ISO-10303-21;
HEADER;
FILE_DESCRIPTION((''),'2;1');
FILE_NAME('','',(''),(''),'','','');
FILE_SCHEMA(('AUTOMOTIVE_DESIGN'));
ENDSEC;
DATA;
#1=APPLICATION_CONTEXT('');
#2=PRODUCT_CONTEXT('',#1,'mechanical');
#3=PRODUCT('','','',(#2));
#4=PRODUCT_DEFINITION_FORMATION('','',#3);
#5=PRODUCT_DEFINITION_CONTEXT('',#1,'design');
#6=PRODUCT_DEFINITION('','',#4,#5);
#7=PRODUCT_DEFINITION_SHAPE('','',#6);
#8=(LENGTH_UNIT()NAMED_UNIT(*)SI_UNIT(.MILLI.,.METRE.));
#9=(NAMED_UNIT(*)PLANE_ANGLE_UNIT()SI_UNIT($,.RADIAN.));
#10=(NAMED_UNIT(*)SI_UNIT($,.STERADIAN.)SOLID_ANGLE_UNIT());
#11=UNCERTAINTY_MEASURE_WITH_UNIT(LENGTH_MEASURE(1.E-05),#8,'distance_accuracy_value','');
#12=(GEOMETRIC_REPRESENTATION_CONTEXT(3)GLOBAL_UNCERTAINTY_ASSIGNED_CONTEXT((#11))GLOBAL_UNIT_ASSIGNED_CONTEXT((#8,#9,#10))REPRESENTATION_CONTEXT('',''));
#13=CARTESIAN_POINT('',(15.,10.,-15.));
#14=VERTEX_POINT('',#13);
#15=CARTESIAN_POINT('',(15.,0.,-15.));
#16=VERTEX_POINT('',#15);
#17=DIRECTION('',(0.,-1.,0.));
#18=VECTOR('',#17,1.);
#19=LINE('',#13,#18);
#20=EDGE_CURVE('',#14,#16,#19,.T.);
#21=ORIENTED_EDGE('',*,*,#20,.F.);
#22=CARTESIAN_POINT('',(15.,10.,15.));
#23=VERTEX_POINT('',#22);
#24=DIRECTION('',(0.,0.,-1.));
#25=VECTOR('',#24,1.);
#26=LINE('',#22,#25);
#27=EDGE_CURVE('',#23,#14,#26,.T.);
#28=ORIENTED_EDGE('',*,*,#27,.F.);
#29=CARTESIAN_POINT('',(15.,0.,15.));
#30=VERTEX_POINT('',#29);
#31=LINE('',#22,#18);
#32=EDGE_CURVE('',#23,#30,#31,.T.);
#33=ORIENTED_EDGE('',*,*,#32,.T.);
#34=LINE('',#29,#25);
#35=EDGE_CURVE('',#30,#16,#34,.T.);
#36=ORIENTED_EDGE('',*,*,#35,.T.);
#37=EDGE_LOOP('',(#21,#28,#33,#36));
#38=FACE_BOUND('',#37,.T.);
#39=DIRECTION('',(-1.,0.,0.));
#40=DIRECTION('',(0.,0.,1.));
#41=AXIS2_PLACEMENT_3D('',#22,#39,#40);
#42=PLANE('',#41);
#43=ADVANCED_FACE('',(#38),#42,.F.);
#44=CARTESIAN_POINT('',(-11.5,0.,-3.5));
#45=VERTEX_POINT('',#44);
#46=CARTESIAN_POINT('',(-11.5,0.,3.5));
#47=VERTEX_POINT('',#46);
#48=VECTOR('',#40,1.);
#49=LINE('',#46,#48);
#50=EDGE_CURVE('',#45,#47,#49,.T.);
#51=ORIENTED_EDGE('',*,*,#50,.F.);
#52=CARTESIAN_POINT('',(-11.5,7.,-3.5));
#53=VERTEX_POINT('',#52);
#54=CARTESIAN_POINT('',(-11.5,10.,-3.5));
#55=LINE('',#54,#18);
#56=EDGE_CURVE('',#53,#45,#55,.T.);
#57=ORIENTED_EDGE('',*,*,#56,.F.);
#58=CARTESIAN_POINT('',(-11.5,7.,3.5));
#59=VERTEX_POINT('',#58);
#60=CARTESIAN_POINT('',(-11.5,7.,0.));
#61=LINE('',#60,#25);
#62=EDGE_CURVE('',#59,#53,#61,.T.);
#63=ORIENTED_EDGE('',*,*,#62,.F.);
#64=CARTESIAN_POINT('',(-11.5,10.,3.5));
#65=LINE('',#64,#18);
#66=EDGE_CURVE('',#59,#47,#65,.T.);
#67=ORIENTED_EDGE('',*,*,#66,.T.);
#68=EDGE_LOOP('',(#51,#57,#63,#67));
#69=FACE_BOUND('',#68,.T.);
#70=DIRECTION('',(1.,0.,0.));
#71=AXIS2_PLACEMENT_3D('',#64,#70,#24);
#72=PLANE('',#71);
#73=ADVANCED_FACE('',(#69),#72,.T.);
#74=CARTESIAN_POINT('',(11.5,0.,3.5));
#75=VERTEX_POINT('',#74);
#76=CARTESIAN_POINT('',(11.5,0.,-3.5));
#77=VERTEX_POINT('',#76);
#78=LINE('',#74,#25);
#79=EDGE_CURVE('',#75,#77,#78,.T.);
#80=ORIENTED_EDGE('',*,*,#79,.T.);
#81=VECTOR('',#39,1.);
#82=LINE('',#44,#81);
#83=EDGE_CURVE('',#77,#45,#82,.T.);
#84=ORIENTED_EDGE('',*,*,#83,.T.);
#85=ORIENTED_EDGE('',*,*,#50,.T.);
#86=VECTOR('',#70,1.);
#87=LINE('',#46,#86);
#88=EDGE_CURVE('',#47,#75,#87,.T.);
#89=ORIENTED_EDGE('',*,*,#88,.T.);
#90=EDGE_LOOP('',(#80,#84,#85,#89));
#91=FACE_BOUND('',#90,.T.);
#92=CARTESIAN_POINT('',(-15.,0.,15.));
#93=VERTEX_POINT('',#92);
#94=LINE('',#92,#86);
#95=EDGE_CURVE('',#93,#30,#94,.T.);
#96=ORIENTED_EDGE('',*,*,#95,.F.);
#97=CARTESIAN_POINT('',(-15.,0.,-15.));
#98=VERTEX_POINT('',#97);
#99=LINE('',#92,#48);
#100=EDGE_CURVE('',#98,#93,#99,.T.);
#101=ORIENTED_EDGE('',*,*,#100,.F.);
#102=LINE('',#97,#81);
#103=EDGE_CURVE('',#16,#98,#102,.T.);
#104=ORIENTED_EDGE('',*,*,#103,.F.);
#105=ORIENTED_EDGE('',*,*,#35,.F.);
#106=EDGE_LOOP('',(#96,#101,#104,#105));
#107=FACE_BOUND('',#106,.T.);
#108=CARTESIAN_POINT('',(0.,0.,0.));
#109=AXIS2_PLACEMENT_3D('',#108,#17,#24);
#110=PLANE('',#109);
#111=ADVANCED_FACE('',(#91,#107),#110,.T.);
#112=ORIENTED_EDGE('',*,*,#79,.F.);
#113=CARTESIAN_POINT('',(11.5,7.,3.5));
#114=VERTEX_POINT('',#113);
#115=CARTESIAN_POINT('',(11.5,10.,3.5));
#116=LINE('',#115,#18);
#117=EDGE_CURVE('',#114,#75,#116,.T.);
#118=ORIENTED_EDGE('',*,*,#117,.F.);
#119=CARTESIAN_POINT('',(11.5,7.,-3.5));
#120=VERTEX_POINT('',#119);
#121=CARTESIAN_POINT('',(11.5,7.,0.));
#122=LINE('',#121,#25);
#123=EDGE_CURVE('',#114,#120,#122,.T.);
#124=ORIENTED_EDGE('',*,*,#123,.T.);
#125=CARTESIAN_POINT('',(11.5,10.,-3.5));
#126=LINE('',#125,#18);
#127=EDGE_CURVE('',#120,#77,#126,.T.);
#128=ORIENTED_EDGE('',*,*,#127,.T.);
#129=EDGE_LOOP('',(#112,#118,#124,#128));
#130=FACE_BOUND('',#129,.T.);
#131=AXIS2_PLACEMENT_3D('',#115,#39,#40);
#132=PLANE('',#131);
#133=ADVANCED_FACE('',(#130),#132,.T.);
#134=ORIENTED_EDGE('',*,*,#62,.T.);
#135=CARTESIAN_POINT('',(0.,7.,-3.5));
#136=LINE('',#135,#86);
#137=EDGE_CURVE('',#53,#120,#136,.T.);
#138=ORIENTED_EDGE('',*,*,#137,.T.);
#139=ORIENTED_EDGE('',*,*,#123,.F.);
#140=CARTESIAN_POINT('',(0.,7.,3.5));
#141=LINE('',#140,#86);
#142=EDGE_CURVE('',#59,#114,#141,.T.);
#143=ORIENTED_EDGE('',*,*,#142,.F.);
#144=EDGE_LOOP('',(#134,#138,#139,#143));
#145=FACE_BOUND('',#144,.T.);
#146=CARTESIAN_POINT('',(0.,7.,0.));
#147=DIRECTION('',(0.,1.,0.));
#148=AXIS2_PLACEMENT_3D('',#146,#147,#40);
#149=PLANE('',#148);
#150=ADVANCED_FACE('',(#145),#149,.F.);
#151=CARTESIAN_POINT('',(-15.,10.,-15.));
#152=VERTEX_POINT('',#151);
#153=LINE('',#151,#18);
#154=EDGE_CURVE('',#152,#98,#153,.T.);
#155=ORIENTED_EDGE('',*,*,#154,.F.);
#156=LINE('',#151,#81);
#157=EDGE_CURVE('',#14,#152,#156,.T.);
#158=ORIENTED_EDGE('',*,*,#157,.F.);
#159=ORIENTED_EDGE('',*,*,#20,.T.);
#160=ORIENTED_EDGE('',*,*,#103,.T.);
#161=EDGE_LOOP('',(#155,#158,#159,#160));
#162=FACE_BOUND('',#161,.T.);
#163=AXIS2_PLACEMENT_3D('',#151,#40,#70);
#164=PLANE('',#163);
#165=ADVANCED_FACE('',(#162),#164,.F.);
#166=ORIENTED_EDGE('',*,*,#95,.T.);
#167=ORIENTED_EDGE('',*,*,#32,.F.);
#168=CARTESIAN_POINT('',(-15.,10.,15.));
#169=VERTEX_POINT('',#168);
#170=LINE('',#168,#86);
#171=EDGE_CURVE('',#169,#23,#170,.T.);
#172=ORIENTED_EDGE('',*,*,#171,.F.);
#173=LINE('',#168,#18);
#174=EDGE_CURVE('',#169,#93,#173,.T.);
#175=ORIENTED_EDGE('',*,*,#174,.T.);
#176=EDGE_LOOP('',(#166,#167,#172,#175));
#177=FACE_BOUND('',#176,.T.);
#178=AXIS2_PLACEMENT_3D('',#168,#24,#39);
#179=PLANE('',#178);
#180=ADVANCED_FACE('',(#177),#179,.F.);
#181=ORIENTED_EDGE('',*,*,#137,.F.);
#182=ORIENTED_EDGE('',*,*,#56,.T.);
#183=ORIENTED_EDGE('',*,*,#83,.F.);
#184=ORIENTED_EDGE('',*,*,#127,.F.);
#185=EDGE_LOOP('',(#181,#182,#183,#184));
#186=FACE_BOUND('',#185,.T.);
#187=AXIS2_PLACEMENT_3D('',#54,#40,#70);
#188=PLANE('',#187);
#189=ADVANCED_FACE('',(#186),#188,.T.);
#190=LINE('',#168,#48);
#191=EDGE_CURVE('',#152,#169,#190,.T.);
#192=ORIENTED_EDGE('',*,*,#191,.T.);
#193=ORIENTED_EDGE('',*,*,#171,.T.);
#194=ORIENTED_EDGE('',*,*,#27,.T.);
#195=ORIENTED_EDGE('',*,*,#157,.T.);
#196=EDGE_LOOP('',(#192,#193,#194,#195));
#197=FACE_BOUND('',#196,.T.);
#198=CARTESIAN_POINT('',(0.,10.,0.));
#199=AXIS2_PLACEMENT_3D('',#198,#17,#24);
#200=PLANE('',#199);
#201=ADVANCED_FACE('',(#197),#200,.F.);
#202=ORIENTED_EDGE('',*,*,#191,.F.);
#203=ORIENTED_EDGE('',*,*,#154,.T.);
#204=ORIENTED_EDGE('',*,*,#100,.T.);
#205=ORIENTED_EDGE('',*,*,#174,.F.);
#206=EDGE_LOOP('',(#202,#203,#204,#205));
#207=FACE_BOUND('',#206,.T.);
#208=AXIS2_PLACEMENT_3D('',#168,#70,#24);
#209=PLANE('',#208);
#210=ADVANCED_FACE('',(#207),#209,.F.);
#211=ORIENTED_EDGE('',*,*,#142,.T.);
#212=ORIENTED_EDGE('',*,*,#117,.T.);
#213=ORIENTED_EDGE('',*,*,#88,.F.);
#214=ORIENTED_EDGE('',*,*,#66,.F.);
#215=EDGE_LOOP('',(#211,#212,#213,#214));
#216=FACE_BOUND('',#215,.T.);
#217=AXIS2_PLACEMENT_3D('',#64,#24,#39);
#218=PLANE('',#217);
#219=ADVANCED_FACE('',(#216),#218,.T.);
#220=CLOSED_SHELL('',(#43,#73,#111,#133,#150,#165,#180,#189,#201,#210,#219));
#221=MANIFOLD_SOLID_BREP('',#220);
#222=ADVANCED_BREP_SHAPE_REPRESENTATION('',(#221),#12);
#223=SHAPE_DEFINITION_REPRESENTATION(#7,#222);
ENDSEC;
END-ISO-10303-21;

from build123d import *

# Parameters (mm, degrees)
SKETCH1_W           = 30
SKETCH1_H           = 30
SKETCH1_W_2         = 23
SKETCH1_H_2         = 7
BOSS_EXTRUDE1_DEPTH = 10
BOSS_EXTRUDE2_START = 7
SKETCH1_2_W         = 23
SKETCH1_2_H         = 7
BOSS_EXTRUDE2_DEPTH = 3


with BuildPart() as part:
    # Sketch1 → Boss-Extrude1 (new body)
    with BuildSketch(Plane(origin=(0, 0, 0), x_dir=(1, 0, 0), z_dir=(0, 1, 0))):
        Rectangle(SKETCH1_W, SKETCH1_H)
        Rectangle(SKETCH1_W_2, SKETCH1_H_2, mode=Mode.SUBTRACT)
    extrude(amount=BOSS_EXTRUDE1_DEPTH)

    # Sketch1<2> → Boss-Extrude2 (add)
    with BuildSketch(Plane(origin=(0, 0, 0), x_dir=(1, 0, 0), z_dir=(0, 1, 0)).offset(BOSS_EXTRUDE2_START)):
        Rectangle(SKETCH1_2_W, SKETCH1_2_H)
    extrude(amount=BOSS_EXTRUDE2_DEPTH)


solid = part.part
